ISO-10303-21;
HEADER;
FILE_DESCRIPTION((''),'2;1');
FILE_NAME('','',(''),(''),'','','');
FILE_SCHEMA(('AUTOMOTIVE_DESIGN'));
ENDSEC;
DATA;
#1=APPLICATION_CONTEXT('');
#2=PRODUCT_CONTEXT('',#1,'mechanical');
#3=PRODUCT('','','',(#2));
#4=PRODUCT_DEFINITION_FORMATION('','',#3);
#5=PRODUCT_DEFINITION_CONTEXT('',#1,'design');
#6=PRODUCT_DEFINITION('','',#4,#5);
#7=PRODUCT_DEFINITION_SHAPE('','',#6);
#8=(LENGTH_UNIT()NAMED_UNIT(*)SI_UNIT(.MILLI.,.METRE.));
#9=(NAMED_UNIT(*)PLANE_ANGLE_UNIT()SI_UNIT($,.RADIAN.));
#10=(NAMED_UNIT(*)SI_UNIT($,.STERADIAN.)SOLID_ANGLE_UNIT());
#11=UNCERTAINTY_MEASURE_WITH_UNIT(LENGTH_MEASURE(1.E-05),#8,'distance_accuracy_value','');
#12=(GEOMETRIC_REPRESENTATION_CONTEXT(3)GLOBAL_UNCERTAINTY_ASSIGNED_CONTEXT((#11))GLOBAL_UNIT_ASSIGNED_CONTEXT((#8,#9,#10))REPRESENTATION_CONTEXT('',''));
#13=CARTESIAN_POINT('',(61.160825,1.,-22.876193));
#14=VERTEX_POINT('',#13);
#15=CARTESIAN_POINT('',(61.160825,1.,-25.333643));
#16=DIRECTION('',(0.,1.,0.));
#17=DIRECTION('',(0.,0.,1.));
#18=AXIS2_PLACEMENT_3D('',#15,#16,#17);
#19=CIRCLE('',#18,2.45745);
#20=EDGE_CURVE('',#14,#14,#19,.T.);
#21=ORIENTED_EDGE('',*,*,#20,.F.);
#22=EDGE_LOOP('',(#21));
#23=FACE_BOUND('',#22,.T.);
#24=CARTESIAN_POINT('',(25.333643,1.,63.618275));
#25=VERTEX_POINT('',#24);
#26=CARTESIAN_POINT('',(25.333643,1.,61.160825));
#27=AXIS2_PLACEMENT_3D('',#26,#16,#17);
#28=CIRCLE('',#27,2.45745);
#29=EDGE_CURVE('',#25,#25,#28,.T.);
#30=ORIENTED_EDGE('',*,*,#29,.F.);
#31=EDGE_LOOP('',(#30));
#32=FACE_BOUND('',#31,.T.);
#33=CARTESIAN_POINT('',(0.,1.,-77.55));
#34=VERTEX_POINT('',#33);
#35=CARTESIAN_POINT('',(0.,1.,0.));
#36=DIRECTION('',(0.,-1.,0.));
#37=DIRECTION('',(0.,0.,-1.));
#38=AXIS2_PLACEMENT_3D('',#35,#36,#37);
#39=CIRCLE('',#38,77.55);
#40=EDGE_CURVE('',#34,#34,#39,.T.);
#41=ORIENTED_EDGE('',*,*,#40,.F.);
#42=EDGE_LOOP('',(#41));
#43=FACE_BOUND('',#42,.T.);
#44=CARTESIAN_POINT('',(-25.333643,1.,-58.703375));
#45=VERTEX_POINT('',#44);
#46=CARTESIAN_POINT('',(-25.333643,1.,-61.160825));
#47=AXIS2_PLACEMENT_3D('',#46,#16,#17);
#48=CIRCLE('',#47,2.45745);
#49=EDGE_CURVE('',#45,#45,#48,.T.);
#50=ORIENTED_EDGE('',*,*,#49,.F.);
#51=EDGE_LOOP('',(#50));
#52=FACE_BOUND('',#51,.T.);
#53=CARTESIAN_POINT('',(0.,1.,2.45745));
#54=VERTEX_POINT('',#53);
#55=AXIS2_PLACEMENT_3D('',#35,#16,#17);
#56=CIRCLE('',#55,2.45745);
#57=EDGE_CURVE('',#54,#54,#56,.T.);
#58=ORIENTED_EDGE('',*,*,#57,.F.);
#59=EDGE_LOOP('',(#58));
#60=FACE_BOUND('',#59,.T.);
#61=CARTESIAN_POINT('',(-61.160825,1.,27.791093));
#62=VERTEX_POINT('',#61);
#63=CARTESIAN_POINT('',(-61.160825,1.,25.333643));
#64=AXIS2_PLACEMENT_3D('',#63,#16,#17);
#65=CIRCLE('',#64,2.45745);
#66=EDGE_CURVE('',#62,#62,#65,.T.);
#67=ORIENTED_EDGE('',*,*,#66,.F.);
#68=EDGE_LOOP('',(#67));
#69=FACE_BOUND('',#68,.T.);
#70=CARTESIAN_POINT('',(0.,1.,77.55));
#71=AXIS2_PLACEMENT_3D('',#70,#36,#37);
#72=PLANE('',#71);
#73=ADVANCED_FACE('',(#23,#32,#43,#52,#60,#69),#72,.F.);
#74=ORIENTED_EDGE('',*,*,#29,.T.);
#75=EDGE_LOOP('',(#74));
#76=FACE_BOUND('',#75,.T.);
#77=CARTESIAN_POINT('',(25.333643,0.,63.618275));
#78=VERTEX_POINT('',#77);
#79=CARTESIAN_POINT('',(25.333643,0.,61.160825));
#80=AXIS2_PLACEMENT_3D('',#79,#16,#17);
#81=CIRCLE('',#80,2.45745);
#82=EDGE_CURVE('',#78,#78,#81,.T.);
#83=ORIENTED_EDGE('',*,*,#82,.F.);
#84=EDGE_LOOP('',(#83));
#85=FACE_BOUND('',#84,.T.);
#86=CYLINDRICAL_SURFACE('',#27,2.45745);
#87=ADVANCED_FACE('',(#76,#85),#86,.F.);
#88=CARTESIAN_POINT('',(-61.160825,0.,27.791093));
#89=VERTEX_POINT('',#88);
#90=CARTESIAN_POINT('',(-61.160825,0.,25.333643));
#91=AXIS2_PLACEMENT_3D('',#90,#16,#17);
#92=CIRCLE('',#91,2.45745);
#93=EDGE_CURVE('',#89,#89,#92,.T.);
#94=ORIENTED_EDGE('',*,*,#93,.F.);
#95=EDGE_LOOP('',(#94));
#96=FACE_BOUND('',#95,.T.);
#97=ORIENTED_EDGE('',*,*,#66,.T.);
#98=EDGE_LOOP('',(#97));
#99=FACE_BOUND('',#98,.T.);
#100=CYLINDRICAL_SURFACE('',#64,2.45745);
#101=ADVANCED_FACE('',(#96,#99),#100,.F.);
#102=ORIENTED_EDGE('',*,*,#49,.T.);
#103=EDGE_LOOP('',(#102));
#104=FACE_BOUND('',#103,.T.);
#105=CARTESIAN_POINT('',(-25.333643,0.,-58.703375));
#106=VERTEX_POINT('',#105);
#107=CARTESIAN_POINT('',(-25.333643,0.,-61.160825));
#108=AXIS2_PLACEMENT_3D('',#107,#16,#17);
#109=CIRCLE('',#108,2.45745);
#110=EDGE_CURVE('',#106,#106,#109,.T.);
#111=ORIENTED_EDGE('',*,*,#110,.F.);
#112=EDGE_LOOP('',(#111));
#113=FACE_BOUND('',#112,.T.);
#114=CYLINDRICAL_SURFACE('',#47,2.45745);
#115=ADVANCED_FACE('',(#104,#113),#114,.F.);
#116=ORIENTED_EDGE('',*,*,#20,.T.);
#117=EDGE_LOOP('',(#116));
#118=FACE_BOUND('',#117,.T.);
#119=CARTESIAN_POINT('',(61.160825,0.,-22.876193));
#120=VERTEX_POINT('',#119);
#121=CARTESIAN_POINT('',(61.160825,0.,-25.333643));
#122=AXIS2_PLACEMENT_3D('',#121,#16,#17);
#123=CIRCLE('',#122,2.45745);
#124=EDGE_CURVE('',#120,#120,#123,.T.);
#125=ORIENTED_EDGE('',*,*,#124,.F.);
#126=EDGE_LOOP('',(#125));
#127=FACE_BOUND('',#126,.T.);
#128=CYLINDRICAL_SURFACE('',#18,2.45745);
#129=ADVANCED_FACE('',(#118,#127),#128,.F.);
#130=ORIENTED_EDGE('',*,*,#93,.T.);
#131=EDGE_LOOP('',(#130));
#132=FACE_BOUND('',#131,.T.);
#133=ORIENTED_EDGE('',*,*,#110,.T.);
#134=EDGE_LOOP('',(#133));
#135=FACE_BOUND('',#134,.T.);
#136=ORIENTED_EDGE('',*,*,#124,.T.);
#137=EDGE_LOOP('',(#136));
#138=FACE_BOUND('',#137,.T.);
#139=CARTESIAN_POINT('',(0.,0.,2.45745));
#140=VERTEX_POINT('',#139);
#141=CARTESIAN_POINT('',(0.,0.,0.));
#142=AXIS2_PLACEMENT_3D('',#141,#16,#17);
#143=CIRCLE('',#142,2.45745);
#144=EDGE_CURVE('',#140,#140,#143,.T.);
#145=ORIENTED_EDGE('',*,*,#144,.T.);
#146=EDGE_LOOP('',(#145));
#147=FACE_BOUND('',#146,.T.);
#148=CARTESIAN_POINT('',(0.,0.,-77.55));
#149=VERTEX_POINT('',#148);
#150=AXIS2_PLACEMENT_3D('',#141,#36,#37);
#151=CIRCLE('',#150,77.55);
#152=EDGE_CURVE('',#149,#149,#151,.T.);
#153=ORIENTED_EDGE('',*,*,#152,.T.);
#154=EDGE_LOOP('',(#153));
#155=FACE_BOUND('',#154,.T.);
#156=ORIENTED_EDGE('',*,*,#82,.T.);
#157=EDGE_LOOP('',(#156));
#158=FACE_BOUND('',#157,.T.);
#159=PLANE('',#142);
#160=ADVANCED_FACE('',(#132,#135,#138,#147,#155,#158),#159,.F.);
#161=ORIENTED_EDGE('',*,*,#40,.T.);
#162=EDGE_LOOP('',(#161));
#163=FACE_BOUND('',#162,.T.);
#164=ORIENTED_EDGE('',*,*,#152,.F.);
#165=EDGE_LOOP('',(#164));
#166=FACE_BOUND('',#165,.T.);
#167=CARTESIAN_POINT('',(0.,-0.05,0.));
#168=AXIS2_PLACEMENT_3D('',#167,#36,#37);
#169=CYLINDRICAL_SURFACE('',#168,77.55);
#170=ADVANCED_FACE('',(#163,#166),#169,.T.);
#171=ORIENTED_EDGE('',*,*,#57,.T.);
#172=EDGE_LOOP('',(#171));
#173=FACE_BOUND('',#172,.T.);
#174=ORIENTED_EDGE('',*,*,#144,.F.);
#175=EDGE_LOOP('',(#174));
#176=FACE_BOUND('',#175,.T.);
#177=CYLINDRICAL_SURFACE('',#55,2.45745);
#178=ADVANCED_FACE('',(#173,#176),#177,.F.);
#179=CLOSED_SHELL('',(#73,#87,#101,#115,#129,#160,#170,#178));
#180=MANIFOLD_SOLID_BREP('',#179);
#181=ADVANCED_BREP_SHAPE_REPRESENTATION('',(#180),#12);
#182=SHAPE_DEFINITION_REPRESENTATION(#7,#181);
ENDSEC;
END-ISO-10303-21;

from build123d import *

# Parameters (mm, degrees)
SKETCH2_W                    = 77.55
SKETCH2_H                    = 1
F_10_0_1935_DIAMETER_HOLE1_D = 4.9149
CIRPATTERN3_COUNT            = 4
F_10_0_1935_DIAMETER_HOLE2_D = 4.9149


with BuildPart() as part:
    # Sketch2 → Revolve1 (revolve)
    with BuildSketch(Plane(origin=(0, 0, 0), x_dir=(0, 0, -1), z_dir=(1, 0, 0))):
        with Locations((-38.775, 0.5)):
            Rectangle(SKETCH2_W, SKETCH2_H)
    revolve(axis=Axis((0, -0.05, 0), (0, 1, 0)))

    # #10 (0.1935) Diameter Hole1 (through all)
    with Locations(Plane(origin=(0, 1, 0), x_dir=(1, 0, 0), z_dir=(0, 1, 0))):
        with Locations((-25.333643223, 61.160825052)):
            f_10_0_1935_diameter_hole1 = Hole(F_10_0_1935_DIAMETER_HOLE1_D / 2)

    # CirPattern3: #10 (0.1935) Diameter Hole1 ×4 about axis
    cirpattern3_axis = Axis((0, 0, 0), (0, 1, 0))
    for i in range(1, CIRPATTERN3_COUNT):
        add(f_10_0_1935_diameter_hole1.rotate(cirpattern3_axis, i * 360 / CIRPATTERN3_COUNT), mode=Mode.SUBTRACT)

    # #10 (0.1935) Diameter Hole2 (through all)
    with Locations(Plane(origin=(0, 1, 0), x_dir=(1, 0, 0), z_dir=(0, 1, 0))):
        with Locations((0, 0)):
            Hole(F_10_0_1935_DIAMETER_HOLE2_D / 2)


solid = part.part
